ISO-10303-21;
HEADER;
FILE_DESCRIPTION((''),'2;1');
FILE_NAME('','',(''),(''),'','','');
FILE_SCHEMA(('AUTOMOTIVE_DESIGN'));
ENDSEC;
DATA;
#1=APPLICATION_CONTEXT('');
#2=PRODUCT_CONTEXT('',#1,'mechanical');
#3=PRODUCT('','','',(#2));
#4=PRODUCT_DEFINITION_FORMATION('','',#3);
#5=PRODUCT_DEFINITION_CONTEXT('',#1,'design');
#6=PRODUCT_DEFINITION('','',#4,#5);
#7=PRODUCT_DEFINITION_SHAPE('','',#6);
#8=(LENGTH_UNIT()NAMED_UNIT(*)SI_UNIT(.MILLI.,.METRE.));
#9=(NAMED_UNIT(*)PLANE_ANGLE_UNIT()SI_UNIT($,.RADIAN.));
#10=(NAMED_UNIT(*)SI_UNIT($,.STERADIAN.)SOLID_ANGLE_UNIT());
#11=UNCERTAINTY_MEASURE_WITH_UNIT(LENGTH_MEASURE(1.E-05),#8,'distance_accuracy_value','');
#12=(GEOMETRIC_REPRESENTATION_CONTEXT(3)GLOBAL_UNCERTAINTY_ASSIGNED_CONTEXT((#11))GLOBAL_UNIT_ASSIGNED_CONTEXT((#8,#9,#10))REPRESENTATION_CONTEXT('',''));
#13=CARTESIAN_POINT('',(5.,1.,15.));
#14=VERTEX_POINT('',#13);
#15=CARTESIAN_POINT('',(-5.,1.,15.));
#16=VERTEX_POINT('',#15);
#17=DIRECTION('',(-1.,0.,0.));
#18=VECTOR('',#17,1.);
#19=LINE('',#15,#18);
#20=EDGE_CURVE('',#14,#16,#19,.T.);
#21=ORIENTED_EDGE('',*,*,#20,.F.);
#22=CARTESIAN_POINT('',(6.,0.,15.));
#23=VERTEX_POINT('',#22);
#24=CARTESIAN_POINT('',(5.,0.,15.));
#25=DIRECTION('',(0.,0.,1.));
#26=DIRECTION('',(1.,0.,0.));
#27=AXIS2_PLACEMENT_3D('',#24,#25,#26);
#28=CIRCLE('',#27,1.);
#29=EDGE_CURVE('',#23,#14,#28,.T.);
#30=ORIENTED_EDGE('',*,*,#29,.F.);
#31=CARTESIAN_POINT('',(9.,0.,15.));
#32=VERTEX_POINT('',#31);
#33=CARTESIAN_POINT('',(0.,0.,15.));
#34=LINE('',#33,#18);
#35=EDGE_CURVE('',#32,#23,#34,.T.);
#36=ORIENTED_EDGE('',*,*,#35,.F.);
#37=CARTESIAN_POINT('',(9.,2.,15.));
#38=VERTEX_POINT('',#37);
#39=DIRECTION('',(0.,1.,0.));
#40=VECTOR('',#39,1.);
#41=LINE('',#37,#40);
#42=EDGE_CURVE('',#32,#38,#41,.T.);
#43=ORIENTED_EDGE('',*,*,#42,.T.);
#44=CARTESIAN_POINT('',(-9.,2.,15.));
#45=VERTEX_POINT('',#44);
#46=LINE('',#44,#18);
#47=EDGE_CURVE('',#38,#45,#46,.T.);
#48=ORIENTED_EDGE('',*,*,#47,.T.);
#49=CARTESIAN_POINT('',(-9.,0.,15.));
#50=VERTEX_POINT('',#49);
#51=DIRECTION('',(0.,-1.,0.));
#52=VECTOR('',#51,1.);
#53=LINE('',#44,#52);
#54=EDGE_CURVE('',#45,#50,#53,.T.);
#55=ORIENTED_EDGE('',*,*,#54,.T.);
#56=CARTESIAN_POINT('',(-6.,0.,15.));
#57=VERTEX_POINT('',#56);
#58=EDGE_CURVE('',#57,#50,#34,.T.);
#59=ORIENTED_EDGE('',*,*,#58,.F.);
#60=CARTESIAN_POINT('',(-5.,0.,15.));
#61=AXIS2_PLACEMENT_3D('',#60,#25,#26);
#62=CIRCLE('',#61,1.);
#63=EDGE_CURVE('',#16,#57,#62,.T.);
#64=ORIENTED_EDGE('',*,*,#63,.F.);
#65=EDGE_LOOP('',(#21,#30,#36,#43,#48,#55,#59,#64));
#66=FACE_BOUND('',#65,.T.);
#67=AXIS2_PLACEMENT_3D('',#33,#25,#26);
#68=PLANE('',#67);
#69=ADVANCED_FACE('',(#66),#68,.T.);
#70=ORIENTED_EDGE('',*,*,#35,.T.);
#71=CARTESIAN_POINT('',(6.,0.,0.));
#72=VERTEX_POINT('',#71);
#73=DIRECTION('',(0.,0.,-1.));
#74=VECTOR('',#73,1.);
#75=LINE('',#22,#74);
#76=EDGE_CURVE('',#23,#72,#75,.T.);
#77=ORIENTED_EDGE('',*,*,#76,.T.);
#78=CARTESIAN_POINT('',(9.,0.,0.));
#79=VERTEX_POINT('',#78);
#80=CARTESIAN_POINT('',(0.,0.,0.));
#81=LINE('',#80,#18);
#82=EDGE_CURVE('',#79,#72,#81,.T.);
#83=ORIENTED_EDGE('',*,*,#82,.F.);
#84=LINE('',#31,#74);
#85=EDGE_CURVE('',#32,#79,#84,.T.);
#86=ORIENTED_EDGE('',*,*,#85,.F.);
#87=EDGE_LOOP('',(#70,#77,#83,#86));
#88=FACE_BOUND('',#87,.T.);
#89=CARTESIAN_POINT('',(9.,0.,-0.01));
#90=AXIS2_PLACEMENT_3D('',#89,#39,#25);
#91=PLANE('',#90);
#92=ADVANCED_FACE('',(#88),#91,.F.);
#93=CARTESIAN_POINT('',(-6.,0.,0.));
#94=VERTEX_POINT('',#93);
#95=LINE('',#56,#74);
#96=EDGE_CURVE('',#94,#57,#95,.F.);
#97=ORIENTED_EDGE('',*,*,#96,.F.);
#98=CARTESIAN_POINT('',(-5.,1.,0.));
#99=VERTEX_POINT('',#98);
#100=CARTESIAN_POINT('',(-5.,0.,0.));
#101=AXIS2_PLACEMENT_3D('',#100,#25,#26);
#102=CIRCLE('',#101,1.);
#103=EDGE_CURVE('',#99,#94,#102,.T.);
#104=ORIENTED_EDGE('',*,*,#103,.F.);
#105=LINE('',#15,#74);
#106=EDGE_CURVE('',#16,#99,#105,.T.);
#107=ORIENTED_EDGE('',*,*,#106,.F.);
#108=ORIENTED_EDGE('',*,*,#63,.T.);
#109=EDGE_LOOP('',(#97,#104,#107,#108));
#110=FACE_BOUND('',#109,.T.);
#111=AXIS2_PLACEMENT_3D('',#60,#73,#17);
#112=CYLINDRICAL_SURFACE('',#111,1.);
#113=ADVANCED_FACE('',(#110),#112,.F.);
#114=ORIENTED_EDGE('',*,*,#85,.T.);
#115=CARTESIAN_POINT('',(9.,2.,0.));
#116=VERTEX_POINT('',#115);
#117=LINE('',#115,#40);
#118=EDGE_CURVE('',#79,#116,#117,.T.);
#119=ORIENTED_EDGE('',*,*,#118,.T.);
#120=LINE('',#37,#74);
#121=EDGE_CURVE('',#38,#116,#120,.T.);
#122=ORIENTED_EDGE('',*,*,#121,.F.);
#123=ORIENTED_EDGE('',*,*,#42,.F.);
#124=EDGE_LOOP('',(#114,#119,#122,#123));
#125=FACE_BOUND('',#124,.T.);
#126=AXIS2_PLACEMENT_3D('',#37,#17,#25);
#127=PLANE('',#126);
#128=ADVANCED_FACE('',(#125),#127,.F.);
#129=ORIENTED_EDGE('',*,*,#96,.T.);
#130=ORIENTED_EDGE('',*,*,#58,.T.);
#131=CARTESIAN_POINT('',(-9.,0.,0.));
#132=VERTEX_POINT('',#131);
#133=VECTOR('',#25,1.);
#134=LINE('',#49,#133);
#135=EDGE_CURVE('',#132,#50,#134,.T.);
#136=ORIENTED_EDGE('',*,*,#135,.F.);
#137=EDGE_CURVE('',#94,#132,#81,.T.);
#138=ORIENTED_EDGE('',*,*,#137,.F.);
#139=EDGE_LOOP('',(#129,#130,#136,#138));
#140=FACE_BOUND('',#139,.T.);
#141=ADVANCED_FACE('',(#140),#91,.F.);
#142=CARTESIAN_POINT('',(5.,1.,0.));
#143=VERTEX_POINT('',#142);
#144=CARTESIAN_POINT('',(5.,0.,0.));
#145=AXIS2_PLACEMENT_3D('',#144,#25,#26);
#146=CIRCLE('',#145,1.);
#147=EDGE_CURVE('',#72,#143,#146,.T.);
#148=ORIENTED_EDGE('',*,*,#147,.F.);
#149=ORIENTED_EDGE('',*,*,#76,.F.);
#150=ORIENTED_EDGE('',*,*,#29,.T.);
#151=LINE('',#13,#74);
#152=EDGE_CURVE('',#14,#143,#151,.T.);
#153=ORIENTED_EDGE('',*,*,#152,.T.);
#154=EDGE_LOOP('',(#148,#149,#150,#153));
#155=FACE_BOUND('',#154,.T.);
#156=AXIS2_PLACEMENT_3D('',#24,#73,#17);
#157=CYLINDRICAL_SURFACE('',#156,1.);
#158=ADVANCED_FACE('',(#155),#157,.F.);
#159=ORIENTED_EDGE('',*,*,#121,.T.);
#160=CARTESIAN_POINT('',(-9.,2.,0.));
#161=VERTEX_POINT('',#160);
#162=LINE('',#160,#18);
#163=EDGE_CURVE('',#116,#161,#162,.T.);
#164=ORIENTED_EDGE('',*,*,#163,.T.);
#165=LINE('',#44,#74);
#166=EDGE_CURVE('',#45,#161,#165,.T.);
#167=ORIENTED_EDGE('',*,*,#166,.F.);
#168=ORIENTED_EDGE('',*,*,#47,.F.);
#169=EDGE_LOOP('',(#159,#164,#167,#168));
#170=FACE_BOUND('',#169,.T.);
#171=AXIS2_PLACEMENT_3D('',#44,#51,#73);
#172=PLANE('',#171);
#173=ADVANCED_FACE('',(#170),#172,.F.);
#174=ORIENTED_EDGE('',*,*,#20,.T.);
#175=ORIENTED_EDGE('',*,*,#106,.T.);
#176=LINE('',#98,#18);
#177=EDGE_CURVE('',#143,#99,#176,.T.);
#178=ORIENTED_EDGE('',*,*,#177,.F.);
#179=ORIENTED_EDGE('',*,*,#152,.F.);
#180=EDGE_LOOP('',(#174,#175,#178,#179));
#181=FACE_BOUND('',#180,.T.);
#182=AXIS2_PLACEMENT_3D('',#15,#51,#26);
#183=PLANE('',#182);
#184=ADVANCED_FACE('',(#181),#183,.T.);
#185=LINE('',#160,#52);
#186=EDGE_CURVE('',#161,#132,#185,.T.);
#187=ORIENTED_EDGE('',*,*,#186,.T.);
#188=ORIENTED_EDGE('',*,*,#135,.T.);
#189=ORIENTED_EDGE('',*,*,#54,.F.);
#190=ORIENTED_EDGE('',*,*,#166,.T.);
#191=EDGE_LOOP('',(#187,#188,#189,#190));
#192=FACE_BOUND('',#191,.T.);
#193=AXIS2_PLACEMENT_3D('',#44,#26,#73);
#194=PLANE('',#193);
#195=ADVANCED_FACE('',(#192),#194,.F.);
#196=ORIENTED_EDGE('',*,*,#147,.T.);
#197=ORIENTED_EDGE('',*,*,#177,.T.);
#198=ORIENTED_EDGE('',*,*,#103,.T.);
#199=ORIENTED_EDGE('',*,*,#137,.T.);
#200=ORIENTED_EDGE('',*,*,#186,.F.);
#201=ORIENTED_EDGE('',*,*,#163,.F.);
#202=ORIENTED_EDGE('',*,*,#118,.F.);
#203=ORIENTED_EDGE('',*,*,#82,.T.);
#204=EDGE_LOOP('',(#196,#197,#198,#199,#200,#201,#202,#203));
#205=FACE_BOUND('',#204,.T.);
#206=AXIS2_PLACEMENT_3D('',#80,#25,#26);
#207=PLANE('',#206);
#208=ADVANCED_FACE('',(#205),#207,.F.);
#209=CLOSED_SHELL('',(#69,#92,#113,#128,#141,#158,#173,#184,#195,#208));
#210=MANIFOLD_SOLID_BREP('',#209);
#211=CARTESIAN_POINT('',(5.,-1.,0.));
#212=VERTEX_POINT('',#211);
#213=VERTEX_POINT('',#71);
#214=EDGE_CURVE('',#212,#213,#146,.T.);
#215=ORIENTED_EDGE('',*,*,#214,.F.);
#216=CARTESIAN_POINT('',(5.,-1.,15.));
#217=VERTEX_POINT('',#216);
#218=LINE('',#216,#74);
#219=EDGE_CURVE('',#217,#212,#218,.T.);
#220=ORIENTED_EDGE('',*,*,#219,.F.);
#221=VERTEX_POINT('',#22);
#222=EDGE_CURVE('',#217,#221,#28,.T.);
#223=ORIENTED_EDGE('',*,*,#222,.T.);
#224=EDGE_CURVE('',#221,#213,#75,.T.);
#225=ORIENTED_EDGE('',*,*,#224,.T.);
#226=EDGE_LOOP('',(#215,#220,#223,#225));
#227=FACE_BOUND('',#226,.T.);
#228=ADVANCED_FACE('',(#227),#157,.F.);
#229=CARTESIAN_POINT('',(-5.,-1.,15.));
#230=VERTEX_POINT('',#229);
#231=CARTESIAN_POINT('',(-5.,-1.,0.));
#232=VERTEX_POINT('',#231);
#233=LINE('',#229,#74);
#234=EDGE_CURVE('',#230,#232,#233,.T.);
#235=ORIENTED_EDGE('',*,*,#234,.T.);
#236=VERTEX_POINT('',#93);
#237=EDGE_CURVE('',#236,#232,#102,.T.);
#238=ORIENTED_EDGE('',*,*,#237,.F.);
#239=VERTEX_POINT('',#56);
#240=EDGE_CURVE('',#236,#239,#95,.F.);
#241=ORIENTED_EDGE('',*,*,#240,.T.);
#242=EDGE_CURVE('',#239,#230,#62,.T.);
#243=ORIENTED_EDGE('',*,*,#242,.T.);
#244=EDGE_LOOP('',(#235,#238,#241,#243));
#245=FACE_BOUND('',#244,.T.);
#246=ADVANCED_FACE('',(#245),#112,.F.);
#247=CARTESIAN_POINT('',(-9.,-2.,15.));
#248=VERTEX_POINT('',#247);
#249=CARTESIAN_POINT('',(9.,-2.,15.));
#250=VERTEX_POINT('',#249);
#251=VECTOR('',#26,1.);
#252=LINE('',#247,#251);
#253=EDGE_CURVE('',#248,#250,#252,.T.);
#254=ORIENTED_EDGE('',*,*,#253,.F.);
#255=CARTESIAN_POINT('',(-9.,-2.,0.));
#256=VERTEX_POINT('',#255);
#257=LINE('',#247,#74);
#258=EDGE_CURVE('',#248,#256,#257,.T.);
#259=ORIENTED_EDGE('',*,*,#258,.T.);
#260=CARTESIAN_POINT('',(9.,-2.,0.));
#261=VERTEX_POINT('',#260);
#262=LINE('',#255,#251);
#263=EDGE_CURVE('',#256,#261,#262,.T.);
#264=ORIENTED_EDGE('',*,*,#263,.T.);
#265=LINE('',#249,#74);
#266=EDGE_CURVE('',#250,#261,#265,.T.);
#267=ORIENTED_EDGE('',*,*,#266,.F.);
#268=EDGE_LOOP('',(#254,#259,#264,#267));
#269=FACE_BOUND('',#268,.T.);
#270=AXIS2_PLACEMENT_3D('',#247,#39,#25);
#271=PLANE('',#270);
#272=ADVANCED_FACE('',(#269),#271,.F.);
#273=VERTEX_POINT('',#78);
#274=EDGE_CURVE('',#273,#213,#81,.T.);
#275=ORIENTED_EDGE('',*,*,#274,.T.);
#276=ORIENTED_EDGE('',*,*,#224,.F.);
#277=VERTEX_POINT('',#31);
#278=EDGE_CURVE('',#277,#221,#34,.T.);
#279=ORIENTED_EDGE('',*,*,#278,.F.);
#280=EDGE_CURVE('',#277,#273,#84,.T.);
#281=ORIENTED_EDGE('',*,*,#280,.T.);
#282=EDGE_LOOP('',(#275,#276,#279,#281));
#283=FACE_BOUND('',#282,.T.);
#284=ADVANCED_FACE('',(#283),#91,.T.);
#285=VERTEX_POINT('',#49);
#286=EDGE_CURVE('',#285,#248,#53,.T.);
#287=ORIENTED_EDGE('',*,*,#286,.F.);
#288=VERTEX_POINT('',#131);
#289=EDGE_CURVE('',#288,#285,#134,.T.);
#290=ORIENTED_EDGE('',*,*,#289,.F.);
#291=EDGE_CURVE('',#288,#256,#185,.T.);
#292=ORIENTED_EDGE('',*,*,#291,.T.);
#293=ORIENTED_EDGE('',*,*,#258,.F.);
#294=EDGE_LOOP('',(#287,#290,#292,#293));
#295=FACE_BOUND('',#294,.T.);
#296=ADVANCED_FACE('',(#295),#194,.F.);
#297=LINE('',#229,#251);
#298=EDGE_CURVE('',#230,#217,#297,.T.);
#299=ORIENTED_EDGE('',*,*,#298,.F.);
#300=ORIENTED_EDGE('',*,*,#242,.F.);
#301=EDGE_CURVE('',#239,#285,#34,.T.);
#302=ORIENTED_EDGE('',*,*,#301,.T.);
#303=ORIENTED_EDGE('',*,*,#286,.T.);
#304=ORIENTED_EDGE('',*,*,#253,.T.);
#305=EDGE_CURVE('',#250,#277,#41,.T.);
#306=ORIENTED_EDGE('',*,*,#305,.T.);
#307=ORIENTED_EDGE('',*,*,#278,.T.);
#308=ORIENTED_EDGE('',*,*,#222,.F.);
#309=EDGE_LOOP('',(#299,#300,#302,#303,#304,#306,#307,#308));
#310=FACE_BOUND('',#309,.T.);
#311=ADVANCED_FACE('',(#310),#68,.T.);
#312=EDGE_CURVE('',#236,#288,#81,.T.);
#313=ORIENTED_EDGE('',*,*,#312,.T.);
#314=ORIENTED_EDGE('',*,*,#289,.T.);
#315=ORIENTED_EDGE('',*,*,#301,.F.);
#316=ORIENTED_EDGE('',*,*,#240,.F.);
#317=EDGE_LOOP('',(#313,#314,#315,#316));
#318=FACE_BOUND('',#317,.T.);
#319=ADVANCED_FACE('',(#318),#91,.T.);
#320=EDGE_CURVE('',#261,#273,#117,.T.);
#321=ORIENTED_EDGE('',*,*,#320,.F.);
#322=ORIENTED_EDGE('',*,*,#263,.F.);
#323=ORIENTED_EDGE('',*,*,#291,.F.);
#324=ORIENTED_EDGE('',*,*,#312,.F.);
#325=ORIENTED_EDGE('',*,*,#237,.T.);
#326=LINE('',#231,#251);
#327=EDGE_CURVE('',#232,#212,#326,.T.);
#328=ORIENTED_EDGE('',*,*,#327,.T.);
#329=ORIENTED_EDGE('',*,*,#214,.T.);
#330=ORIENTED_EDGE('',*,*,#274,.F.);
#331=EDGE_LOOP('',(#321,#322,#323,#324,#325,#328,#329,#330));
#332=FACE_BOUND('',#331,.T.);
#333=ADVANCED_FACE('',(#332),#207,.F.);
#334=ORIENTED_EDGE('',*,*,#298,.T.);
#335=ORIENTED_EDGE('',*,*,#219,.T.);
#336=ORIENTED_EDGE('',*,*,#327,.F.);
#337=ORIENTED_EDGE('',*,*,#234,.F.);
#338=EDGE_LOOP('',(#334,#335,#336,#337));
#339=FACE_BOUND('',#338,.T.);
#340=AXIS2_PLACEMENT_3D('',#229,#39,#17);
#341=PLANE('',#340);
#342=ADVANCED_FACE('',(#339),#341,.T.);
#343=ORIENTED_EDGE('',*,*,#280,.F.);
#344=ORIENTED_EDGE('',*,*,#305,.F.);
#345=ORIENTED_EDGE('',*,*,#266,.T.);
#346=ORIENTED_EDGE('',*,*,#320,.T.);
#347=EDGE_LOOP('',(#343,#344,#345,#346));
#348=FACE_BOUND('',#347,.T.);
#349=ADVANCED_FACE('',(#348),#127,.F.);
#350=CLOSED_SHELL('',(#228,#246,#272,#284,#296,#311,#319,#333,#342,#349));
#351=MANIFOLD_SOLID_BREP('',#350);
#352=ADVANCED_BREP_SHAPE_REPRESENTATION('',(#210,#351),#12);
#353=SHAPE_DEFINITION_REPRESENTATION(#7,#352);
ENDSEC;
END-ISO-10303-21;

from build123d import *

# Parameters (mm, degrees)
SKETCH_2_W                     = 18
SKETCH_2_H                     = 4
EXTRUDE_1_DEPTH                = 15
CUT_EXTRUDE_1_DEPTH            = 15
SPLIT_BODIES_1_SURFACE_1_BACK  = 24.77
SPLIT_BODIES_1_SURFACE_1_DEPTH = 49.54
SPLIT_BODIES_1_SURFACE_2_BACK  = 24.77
SPLIT_BODIES_1_SURFACE_2_DEPTH = 49.54


with BuildPart() as part:
    # 스케치2 → 보스-돌출1 (new body)
    with BuildSketch(Plane.XY):
        Rectangle(SKETCH_2_W, SKETCH_2_H)
    extrude(amount=EXTRUDE_1_DEPTH)

    # 스케치1 → 컷-돌출1 (cut)
    with BuildSketch(Plane.XY):
        with BuildLine():
            Line((-5, 1), (5, 1))
            ThreePointArc((5, 1), (6, 0), (5, -1))
            Line((5, -1), (-5, -1))
            ThreePointArc((-5, -1), (-6, 0), (-5, 1))
        make_face()
    extrude(amount=CUT_EXTRUDE_1_DEPTH, mode=Mode.SUBTRACT)


with BuildPart() as body_2:
    # Split Bodies 1: the piece behind the surface
    add(part.part)
    # Split Bodies 1 surface: a surface, the sketch's curves swept straight by 49.54 mm
    with BuildLine(Plane.XY.offset(15).offset(-SPLIT_BODIES_1_SURFACE_1_BACK), mode=Mode.PRIVATE) as split_bodies_1_surface_1_path:
        Line((9, 0), (-9, 0))
    split_bodies_1_surface_1 = Shell.extrude(split_bodies_1_surface_1_path.wire(), (0 * SPLIT_BODIES_1_SURFACE_1_DEPTH, 0 * SPLIT_BODIES_1_SURFACE_1_DEPTH, 1 * SPLIT_BODIES_1_SURFACE_1_DEPTH))
    split(bisect_by=split_bodies_1_surface_1, keep=Keep.BOTTOM)


with BuildPart() as part_1:
    add(part.part)

    # Split Bodies 1: split by a surface, the side it looks to stays
    # Split Bodies 1 surface: a surface, the sketch's curves swept straight by 49.54 mm
    with BuildLine(Plane.XY.offset(15).offset(-SPLIT_BODIES_1_SURFACE_2_BACK), mode=Mode.PRIVATE) as split_bodies_1_surface_2_path:
        Line((9, 0), (-9, 0))
    split_bodies_1_surface_2 = Shell.extrude(split_bodies_1_surface_2_path.wire(), (0 * SPLIT_BODIES_1_SURFACE_2_DEPTH, 0 * SPLIT_BODIES_1_SURFACE_2_DEPTH, 1 * SPLIT_BODIES_1_SURFACE_2_DEPTH))
    split(bisect_by=split_bodies_1_surface_2, keep=Keep.TOP)


solid = Compound([body_2.part, part_1.part])
